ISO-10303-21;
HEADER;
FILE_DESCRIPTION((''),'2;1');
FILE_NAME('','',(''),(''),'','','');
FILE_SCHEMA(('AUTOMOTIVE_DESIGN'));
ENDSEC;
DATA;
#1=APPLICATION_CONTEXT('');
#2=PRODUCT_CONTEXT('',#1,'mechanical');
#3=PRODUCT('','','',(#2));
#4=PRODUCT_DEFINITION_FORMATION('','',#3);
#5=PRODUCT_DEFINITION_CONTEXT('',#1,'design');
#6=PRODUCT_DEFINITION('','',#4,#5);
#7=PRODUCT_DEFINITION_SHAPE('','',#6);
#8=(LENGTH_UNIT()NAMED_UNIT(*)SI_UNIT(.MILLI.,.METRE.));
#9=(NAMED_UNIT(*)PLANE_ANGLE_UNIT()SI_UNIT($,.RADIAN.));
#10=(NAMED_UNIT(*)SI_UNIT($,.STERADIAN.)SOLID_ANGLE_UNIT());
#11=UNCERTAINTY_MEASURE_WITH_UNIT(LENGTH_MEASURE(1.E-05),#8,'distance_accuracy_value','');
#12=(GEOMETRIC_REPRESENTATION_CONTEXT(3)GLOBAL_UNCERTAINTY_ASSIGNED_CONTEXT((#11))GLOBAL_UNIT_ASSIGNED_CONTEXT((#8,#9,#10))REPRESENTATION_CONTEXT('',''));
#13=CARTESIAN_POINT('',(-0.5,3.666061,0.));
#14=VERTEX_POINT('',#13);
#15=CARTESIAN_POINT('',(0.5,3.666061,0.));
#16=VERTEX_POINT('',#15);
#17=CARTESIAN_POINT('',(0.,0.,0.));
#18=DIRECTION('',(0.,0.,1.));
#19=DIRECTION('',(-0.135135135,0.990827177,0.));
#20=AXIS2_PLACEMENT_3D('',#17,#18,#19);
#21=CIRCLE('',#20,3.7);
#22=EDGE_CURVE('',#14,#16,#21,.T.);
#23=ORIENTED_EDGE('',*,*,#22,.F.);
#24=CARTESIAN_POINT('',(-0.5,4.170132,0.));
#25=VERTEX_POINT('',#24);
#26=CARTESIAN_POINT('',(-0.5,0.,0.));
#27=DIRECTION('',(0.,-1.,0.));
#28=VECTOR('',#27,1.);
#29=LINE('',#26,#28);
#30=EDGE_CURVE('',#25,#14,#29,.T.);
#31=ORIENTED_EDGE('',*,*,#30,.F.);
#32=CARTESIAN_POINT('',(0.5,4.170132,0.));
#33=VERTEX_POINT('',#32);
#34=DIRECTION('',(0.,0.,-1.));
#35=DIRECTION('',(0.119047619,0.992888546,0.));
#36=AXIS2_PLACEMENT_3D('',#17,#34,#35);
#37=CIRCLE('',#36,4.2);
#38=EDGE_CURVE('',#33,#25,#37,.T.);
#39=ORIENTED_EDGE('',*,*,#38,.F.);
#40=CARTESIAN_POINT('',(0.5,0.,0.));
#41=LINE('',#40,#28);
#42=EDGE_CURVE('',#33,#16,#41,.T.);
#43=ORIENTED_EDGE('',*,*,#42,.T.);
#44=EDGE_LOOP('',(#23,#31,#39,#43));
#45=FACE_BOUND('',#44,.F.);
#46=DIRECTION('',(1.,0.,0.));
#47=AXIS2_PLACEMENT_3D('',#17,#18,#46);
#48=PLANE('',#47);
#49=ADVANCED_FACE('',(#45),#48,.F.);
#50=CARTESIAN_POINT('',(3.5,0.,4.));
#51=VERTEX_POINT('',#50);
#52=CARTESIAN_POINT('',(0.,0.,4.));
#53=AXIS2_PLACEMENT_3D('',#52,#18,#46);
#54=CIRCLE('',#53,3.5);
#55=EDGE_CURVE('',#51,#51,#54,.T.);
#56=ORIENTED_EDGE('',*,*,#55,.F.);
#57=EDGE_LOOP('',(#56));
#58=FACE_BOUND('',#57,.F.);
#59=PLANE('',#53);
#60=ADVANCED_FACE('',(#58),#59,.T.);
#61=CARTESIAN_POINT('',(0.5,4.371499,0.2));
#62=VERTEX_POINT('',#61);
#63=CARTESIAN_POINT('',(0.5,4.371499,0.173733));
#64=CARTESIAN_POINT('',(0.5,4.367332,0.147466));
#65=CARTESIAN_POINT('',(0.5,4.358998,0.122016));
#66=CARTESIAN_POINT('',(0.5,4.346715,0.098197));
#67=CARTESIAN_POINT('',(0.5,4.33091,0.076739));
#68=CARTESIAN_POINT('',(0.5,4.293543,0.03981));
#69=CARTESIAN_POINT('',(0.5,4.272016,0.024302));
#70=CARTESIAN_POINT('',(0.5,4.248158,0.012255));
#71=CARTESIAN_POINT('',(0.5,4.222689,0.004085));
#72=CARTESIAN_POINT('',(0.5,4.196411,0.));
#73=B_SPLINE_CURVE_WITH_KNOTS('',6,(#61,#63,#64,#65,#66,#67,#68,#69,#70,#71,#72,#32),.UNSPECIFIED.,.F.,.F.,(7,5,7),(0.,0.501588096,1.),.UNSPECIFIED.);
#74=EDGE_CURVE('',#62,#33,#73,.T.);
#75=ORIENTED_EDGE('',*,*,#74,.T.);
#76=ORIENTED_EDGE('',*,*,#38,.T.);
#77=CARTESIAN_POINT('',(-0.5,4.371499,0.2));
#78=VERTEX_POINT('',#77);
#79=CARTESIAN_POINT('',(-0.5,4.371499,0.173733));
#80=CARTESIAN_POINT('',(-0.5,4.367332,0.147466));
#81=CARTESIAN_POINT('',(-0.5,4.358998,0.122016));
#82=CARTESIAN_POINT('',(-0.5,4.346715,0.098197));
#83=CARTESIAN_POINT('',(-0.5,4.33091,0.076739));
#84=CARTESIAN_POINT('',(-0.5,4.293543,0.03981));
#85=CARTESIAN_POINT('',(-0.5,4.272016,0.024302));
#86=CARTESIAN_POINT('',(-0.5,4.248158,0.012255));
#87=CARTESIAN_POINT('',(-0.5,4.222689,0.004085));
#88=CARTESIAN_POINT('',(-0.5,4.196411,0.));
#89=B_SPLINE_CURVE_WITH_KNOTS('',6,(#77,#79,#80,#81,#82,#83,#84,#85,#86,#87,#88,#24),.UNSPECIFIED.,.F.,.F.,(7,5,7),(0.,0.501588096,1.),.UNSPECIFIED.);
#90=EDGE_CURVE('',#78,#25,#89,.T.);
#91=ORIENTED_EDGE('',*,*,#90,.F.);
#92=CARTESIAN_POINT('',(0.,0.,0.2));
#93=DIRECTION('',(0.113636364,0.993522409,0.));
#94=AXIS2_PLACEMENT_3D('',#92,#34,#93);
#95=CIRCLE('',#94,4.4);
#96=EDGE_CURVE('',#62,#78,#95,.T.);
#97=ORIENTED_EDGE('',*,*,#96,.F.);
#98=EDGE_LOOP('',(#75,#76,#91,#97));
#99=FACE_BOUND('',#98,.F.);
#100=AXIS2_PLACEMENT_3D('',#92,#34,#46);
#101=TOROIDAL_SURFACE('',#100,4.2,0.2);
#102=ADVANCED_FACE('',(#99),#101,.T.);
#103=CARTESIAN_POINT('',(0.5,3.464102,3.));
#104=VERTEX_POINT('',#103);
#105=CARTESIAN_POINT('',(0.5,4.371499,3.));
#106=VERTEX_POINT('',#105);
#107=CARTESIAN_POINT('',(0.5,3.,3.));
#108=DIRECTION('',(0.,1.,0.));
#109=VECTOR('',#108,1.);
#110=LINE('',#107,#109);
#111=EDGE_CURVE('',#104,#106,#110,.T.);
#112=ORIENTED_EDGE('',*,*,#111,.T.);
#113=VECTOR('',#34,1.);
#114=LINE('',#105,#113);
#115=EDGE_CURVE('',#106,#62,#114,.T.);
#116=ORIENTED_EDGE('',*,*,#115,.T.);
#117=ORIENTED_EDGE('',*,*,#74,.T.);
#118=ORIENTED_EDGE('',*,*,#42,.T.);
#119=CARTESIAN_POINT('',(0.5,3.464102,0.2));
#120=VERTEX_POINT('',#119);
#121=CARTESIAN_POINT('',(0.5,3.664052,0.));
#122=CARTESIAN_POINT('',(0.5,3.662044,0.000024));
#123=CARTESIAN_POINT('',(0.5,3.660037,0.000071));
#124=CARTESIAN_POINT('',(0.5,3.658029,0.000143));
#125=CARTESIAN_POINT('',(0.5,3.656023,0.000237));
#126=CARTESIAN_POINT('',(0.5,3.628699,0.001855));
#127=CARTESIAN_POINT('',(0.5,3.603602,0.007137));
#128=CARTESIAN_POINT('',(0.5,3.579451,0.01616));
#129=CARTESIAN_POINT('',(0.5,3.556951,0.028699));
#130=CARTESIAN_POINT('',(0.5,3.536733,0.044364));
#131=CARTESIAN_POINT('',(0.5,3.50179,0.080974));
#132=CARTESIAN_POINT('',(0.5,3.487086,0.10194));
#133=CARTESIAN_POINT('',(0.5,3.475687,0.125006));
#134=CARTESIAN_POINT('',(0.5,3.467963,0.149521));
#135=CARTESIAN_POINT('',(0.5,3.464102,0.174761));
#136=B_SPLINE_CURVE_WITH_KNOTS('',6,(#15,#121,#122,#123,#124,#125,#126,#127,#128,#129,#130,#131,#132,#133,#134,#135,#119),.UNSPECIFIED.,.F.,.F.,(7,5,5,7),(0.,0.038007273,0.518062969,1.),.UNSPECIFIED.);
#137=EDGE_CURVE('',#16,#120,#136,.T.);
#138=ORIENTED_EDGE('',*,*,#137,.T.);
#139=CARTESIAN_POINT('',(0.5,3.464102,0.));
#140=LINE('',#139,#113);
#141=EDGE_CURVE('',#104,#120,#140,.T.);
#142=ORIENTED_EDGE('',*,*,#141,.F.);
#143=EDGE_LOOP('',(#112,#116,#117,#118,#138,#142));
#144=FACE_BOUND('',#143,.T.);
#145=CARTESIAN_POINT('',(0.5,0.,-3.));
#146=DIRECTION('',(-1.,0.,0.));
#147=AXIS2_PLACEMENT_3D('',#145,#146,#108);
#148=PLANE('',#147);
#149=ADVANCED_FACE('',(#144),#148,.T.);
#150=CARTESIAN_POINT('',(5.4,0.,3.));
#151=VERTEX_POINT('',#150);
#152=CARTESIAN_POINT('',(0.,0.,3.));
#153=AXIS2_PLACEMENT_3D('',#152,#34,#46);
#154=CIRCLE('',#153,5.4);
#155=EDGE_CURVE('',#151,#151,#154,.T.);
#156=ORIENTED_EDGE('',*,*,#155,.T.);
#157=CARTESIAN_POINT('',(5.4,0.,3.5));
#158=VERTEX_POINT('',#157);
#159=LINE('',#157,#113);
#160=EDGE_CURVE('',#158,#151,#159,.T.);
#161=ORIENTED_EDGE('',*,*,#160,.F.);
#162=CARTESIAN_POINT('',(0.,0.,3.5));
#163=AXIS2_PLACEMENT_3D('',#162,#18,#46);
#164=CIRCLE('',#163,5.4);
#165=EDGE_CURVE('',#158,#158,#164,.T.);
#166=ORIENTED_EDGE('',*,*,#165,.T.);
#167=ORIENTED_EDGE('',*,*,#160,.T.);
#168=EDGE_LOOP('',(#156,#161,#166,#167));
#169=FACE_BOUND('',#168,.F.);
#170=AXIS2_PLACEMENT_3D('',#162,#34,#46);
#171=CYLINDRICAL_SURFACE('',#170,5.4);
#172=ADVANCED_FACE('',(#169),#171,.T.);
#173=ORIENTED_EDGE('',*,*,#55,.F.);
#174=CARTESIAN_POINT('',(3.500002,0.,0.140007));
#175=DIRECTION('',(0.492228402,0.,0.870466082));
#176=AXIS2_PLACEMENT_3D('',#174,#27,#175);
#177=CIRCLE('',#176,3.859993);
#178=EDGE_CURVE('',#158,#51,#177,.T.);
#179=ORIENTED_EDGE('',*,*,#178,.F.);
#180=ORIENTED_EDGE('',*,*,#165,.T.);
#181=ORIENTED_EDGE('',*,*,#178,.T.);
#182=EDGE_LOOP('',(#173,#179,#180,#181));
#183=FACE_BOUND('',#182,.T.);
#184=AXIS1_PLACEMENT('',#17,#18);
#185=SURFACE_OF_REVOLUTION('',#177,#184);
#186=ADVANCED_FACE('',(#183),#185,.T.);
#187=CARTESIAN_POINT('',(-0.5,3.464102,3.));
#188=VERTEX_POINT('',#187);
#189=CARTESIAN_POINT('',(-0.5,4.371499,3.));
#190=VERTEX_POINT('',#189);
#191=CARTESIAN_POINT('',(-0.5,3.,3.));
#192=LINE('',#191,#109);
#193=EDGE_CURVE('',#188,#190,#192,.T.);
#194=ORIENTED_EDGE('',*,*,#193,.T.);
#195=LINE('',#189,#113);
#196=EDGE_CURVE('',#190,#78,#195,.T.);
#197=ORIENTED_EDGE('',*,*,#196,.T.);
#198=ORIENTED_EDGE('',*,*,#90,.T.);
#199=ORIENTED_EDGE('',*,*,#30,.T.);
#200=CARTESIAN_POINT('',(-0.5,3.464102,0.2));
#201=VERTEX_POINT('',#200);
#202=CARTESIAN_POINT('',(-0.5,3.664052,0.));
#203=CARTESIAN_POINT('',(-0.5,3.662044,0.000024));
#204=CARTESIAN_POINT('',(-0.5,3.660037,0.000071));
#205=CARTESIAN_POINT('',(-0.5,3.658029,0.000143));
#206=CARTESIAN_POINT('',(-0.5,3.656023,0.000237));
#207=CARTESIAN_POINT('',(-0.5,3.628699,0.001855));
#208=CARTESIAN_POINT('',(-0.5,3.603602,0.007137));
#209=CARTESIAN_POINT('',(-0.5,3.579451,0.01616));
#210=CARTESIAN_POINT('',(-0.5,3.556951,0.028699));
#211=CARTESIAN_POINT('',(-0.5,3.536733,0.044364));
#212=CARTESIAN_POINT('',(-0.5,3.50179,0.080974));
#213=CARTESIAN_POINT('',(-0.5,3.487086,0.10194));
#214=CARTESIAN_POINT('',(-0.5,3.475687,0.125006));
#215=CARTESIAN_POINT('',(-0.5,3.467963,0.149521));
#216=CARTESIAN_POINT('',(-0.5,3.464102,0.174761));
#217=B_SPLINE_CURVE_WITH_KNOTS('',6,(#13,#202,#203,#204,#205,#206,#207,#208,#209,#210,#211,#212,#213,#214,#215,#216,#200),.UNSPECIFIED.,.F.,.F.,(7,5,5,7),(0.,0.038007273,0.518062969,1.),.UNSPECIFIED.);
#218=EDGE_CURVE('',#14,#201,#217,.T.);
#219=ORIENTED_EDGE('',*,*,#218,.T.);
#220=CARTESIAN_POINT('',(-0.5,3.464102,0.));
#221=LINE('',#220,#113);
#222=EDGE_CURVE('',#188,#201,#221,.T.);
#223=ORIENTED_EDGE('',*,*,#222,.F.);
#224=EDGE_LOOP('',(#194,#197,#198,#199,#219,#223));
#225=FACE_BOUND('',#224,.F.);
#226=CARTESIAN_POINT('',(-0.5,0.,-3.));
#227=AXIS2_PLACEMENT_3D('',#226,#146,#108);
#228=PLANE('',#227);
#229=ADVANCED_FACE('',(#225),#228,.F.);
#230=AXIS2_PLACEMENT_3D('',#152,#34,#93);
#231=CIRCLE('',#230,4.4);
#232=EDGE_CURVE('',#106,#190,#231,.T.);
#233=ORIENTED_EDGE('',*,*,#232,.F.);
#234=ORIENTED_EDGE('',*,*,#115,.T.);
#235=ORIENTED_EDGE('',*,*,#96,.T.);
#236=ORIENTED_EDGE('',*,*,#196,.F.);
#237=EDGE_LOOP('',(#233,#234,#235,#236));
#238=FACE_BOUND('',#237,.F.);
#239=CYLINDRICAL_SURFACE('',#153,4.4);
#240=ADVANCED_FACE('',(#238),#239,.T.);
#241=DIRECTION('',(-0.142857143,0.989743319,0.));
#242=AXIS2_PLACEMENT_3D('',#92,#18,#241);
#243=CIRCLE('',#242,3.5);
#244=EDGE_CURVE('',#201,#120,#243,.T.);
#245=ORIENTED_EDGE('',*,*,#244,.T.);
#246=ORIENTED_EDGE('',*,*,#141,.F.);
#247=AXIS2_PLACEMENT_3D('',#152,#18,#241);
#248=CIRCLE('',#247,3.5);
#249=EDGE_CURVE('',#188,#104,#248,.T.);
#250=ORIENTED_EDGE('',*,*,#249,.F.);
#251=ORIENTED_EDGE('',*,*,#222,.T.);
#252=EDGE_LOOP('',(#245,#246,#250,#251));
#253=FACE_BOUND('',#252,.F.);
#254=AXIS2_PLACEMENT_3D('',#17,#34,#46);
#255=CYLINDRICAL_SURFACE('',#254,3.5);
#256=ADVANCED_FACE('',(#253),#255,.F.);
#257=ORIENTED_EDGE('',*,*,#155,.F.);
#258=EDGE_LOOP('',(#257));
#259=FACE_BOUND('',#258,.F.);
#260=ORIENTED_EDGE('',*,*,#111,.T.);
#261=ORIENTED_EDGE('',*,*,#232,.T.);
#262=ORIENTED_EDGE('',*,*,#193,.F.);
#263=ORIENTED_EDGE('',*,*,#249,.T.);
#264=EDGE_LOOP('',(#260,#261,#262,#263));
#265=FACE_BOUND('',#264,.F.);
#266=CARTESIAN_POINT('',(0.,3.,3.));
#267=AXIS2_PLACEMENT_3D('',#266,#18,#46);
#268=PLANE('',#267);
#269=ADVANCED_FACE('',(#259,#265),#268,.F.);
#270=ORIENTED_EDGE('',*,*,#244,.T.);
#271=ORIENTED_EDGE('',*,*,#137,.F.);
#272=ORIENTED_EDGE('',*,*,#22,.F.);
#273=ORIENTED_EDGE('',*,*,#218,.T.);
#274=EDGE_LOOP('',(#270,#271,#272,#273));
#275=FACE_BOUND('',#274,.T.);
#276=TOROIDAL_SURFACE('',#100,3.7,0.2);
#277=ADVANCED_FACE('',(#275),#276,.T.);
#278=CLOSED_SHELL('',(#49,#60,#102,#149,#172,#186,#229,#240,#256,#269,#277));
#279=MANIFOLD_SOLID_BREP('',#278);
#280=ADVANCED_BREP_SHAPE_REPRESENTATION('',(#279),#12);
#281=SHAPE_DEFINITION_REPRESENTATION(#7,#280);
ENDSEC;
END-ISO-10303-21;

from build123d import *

# Parameters (mm, degrees)
BOX_W        = 1
BOX_H        = 6
BOX_DEPTH    = 6
SKETCH001_R  = 3.5
POCKET_DEPTH = 3
FILLET_R     = 0.2
FILLET001_R  = 0.2


with BuildPart() as cube:
    # Box → Box (new body)
    with BuildSketch(Plane(origin=(-0.5, 0, -3), x_dir=(1, 0, 0), z_dir=(0, 0, 1))):
        with Locations((0.5, 3)):
            Rectangle(BOX_W, BOX_H)
    extrude(amount=BOX_DEPTH)


with BuildPart() as cut:
    # Sketch → Revolution (revolve)
    with BuildSketch(Plane.XZ):
        with BuildLine():
            Line((5.4, 3.5), (5.4, 3))
            Line((5.4, 3), (4.4, 3))
            Line((4.4, 3), (4.4, 0))
            Line((4.4, 0), (0, 0))
            Line((0, 0), (0, 4))
            Line((0, 4), (3.5, 4))
            ThreePointArc((5.4, 3.5), (4.482344, 3.872908), (3.5, 4))
        make_face()
    revolve(axis=Axis((0, 0, 0), (0, 0, 1)))

    # Sketch001 (on Face4 of Revolution) → Pocket (cut)
    with BuildSketch(Plane(origin=(0, 0, 0), x_dir=(1, 0, 0), z_dir=(0, 0, -1))):
        Circle(SKETCH001_R)
    extrude(amount=-POCKET_DEPTH, mode=Mode.SUBTRACT)

    # Fillet
    fillet_edges = [cut.edges().sort_by_distance(p)[0] for p in [
        (-4.4, 0, 0),
    ]]
    fillet(fillet_edges, radius=FILLET_R)

    # Fillet001
    fillet001_edges = [cut.edges().sort_by_distance(p)[0] for p in [
        (-3.5, 0, 0),
    ]]
    fillet(fillet001_edges, radius=FILLET001_R)

    # Cut: cut Cube
    add(cube.part, mode=Mode.SUBTRACT)


solid = cut.part
